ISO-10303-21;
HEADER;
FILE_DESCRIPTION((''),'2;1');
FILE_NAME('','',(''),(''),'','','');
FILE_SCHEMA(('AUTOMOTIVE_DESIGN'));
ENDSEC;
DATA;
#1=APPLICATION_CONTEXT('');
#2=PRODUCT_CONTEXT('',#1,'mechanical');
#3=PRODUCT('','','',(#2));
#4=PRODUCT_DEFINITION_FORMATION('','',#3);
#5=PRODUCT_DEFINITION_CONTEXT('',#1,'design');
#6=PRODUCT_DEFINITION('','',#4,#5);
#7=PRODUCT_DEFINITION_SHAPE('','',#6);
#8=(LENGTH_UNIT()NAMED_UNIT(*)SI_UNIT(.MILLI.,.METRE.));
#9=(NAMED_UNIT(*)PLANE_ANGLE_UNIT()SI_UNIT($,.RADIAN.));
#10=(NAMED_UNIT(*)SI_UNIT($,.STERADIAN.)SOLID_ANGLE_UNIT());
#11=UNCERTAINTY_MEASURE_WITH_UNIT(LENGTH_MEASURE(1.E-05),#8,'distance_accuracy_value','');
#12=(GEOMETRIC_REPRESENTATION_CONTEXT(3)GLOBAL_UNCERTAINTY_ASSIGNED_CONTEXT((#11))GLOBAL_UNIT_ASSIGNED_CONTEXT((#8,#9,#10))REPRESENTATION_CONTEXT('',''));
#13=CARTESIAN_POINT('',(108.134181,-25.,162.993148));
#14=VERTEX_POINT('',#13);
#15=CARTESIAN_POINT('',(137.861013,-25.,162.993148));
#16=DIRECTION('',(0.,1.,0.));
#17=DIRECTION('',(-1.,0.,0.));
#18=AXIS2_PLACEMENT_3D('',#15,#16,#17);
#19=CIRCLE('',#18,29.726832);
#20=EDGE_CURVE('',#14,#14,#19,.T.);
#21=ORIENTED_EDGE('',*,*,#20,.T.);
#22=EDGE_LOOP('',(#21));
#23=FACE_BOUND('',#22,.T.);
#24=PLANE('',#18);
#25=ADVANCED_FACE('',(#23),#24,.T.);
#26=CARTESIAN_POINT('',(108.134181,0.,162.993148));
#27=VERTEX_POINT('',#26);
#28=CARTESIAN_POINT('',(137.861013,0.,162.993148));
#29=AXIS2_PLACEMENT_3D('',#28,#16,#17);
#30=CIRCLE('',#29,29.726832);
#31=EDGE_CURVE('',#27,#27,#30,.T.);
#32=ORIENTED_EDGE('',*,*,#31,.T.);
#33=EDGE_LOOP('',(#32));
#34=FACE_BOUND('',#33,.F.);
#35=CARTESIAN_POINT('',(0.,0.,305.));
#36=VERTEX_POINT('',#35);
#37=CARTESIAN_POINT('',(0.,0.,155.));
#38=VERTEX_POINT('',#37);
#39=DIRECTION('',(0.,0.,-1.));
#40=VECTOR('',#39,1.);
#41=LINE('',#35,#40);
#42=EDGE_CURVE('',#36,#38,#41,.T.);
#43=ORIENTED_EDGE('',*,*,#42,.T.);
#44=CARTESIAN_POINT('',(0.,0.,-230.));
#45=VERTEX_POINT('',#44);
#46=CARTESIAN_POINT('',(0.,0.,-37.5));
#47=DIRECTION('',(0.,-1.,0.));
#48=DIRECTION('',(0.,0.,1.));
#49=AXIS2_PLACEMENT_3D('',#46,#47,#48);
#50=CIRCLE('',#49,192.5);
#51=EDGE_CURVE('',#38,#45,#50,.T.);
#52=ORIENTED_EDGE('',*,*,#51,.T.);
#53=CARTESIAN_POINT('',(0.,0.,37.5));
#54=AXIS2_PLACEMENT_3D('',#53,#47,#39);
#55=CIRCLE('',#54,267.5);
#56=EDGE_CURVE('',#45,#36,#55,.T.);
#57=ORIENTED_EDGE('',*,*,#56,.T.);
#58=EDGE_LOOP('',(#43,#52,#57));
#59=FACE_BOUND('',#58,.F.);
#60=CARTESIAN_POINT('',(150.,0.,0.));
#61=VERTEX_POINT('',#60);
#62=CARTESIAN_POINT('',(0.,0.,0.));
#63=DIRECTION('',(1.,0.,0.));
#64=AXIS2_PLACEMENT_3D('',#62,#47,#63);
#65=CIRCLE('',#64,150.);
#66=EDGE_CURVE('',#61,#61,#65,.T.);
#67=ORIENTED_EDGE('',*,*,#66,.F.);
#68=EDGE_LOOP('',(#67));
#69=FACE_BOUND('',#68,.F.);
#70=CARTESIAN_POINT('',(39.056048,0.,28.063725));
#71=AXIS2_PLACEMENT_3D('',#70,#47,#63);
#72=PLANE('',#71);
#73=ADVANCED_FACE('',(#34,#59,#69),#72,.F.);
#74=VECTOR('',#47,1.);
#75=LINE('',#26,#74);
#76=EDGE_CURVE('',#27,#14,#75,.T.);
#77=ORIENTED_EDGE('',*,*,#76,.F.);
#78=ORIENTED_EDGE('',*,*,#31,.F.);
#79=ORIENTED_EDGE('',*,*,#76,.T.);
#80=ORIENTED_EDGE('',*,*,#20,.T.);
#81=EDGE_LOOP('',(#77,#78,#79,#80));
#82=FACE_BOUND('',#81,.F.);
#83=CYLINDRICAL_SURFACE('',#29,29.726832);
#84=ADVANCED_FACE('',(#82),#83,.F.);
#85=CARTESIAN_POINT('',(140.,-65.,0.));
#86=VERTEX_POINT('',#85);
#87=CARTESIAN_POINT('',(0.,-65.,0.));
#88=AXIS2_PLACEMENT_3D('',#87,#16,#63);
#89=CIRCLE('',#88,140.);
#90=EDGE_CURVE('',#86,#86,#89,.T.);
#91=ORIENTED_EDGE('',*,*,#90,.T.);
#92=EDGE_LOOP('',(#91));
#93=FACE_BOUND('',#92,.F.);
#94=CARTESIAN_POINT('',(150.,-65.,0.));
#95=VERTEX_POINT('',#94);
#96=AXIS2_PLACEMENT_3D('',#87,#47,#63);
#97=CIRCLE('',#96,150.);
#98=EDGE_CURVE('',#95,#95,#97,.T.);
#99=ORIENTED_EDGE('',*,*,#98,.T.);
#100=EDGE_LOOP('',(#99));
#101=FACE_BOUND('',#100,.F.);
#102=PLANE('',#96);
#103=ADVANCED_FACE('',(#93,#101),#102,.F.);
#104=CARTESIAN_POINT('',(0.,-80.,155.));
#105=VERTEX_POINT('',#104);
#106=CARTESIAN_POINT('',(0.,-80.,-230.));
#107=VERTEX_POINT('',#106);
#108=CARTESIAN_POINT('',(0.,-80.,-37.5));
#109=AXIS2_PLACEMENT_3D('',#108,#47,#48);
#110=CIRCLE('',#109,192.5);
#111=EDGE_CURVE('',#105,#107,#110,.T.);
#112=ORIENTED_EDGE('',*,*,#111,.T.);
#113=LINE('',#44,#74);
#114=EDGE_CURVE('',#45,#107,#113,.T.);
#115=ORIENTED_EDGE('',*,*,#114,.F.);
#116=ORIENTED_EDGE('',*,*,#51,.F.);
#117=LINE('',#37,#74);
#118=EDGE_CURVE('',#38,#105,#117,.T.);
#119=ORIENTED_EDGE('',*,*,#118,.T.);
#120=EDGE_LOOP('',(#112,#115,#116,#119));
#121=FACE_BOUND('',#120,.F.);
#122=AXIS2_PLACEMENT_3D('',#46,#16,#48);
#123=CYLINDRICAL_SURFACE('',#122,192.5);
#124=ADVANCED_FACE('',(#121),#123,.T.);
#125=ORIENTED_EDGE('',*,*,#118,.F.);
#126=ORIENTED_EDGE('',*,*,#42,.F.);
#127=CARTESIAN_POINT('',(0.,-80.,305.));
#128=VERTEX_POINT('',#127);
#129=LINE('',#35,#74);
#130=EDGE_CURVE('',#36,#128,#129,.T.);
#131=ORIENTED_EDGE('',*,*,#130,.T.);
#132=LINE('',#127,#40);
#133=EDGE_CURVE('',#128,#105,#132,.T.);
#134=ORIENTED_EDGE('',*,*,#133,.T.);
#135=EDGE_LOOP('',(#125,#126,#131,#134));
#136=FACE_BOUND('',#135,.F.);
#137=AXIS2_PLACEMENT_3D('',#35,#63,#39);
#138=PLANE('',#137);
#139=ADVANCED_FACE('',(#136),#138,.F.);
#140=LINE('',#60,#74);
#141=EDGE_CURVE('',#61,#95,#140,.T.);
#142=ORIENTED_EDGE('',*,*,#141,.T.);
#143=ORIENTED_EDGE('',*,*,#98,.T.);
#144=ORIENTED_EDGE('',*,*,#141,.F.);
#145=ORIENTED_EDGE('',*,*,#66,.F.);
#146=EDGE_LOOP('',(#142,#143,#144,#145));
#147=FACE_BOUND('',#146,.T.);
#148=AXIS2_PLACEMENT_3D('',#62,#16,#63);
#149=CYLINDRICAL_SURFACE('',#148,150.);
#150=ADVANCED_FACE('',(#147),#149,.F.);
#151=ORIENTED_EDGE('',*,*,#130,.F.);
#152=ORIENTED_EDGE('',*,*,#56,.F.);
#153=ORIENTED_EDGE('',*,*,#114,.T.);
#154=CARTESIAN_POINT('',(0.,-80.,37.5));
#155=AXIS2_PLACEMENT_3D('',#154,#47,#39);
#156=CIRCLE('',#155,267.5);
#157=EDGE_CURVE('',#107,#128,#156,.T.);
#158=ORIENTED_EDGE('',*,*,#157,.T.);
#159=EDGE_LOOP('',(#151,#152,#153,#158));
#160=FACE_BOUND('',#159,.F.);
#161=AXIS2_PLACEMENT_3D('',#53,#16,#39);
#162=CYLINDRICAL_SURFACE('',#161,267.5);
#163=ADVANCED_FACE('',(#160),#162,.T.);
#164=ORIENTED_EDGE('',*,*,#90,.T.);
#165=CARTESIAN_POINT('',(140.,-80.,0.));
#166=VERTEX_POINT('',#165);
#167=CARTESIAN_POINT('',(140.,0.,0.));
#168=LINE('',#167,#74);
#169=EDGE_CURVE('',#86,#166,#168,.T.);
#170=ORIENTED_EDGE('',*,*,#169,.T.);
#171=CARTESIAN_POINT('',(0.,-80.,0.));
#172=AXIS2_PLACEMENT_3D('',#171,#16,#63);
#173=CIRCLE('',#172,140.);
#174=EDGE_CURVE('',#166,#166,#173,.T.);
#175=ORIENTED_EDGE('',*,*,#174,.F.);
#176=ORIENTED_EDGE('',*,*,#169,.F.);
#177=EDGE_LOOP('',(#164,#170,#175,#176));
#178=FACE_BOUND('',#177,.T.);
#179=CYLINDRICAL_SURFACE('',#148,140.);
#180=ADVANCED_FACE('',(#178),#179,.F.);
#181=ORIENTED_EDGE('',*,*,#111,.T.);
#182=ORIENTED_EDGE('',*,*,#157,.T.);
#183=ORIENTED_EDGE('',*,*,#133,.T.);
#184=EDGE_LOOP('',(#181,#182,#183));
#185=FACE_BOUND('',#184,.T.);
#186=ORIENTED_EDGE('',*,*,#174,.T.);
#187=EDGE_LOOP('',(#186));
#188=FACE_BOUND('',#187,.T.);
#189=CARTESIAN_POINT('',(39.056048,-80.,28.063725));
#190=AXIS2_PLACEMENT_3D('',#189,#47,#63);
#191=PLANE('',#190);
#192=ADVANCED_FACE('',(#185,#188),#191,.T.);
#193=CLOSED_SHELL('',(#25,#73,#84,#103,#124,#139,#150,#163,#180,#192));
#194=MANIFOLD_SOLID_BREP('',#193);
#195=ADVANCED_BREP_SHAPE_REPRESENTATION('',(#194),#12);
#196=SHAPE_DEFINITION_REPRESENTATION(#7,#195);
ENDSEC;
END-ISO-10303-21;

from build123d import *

# Parameters (mm, degrees)
F0_R     = 150
F1_DEPTH = 80
F2_R     = 150
F3_DEPTH = 65
F4_R     = 140
F5_DEPTH = 80.001
F6_R     = 29.726832
F7_DEPTH = 25


with BuildPart() as f1:
    # F0 (on Front) → F1 (new body)
    with BuildSketch(Plane.XZ):
        with BuildLine():
            Line((0, 305), (0, 155))
            ThreePointArc((0, 155), (-192.5, -37.5), (0, -230))
            ThreePointArc((0, -230), (267.5, 37.5), (0, 305))
        make_face()
        Circle(F0_R, mode=Mode.SUBTRACT)
        Circle(F0_R)
    extrude(amount=F1_DEPTH)

    # F2 (on Front) → F3 (cut)
    with BuildSketch(Plane.XZ):
        Circle(F2_R)
    extrude(amount=F3_DEPTH, mode=Mode.SUBTRACT)

    # F4 (on Front) → F5 (cut, through all)
    with BuildSketch(Plane.XZ):
        Circle(F4_R)
    extrude(amount=F5_DEPTH, mode=Mode.SUBTRACT)

    # F6 (on face) → F7 (cut)
    with BuildSketch(Plane(origin=(0, 0, 0), x_dir=(-1, 0, 0), z_dir=(0, 1, 0))):
        with Locations((-137.861013, 162.993148)):
            Circle(F6_R)
    extrude(amount=-F7_DEPTH, mode=Mode.SUBTRACT)


solid = f1.part
